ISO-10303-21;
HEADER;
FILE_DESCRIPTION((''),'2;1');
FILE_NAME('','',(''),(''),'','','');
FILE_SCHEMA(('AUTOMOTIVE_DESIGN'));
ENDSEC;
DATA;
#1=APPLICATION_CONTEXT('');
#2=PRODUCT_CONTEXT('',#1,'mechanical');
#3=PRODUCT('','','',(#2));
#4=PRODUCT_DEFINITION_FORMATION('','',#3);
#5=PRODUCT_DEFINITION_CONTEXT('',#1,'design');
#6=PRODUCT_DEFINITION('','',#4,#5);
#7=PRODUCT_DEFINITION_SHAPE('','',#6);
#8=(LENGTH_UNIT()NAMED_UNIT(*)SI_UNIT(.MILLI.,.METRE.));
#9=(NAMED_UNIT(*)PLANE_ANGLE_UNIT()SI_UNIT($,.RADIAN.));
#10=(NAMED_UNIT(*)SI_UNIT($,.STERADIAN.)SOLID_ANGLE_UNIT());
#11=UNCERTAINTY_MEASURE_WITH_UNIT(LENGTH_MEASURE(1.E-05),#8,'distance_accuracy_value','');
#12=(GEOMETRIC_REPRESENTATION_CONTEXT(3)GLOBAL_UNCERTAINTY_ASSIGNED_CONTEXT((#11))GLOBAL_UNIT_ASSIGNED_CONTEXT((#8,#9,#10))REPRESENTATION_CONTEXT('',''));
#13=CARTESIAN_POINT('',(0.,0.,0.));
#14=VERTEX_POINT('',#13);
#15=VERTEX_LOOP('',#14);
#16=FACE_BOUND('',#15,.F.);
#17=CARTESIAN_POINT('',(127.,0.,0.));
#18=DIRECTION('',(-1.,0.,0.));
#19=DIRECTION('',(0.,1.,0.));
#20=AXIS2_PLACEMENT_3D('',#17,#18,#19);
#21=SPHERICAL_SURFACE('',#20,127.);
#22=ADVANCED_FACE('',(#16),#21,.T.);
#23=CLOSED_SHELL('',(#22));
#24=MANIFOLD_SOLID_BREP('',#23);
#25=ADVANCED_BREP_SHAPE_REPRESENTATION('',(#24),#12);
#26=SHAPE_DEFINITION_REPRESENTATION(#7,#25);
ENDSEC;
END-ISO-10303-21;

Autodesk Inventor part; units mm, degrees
sketch "Sketch1" plane through (0, 0, 0) normal (0, 0, 1) x (1, 0, 0)
  line L0 (0, 0) -> (254, 0)
  arc A0 (254, 0) -> (0, 0) centre (127, 0) ccw
  dimension "d0" = 254
  dimension "d1" = 127
revolve "Revolution1" add sketch "Sketch1" angle 360 about axis through (0, 0, 0) along (1, 0, 0)
ref_plane "Work Plane1" through (127, 0, 127) normal (0, 0, 1) x (1, 0, 0)
ref_plane "Work Plane2" through (127, 0, -127) normal (0, 0, 1) x (1, 0, 0)
ref_plane "Work Plane4" through (254, 0, 0) normal (1, 0, 0) x (0, 1, 0)
ref_plane "Work Plane5" through (0, 127, 0) normal (0, 1, 0) x (-1, 0, 0)
ref_plane "Work Plane6" through (0, -127, 0) normal (0, 1, 0) x (-1, 0, 0)
ref_plane "Work Plane7" through (127, 0, 0) normal (1, 0, 0) x (0, 1, 0)
properties part number "Boulder"
